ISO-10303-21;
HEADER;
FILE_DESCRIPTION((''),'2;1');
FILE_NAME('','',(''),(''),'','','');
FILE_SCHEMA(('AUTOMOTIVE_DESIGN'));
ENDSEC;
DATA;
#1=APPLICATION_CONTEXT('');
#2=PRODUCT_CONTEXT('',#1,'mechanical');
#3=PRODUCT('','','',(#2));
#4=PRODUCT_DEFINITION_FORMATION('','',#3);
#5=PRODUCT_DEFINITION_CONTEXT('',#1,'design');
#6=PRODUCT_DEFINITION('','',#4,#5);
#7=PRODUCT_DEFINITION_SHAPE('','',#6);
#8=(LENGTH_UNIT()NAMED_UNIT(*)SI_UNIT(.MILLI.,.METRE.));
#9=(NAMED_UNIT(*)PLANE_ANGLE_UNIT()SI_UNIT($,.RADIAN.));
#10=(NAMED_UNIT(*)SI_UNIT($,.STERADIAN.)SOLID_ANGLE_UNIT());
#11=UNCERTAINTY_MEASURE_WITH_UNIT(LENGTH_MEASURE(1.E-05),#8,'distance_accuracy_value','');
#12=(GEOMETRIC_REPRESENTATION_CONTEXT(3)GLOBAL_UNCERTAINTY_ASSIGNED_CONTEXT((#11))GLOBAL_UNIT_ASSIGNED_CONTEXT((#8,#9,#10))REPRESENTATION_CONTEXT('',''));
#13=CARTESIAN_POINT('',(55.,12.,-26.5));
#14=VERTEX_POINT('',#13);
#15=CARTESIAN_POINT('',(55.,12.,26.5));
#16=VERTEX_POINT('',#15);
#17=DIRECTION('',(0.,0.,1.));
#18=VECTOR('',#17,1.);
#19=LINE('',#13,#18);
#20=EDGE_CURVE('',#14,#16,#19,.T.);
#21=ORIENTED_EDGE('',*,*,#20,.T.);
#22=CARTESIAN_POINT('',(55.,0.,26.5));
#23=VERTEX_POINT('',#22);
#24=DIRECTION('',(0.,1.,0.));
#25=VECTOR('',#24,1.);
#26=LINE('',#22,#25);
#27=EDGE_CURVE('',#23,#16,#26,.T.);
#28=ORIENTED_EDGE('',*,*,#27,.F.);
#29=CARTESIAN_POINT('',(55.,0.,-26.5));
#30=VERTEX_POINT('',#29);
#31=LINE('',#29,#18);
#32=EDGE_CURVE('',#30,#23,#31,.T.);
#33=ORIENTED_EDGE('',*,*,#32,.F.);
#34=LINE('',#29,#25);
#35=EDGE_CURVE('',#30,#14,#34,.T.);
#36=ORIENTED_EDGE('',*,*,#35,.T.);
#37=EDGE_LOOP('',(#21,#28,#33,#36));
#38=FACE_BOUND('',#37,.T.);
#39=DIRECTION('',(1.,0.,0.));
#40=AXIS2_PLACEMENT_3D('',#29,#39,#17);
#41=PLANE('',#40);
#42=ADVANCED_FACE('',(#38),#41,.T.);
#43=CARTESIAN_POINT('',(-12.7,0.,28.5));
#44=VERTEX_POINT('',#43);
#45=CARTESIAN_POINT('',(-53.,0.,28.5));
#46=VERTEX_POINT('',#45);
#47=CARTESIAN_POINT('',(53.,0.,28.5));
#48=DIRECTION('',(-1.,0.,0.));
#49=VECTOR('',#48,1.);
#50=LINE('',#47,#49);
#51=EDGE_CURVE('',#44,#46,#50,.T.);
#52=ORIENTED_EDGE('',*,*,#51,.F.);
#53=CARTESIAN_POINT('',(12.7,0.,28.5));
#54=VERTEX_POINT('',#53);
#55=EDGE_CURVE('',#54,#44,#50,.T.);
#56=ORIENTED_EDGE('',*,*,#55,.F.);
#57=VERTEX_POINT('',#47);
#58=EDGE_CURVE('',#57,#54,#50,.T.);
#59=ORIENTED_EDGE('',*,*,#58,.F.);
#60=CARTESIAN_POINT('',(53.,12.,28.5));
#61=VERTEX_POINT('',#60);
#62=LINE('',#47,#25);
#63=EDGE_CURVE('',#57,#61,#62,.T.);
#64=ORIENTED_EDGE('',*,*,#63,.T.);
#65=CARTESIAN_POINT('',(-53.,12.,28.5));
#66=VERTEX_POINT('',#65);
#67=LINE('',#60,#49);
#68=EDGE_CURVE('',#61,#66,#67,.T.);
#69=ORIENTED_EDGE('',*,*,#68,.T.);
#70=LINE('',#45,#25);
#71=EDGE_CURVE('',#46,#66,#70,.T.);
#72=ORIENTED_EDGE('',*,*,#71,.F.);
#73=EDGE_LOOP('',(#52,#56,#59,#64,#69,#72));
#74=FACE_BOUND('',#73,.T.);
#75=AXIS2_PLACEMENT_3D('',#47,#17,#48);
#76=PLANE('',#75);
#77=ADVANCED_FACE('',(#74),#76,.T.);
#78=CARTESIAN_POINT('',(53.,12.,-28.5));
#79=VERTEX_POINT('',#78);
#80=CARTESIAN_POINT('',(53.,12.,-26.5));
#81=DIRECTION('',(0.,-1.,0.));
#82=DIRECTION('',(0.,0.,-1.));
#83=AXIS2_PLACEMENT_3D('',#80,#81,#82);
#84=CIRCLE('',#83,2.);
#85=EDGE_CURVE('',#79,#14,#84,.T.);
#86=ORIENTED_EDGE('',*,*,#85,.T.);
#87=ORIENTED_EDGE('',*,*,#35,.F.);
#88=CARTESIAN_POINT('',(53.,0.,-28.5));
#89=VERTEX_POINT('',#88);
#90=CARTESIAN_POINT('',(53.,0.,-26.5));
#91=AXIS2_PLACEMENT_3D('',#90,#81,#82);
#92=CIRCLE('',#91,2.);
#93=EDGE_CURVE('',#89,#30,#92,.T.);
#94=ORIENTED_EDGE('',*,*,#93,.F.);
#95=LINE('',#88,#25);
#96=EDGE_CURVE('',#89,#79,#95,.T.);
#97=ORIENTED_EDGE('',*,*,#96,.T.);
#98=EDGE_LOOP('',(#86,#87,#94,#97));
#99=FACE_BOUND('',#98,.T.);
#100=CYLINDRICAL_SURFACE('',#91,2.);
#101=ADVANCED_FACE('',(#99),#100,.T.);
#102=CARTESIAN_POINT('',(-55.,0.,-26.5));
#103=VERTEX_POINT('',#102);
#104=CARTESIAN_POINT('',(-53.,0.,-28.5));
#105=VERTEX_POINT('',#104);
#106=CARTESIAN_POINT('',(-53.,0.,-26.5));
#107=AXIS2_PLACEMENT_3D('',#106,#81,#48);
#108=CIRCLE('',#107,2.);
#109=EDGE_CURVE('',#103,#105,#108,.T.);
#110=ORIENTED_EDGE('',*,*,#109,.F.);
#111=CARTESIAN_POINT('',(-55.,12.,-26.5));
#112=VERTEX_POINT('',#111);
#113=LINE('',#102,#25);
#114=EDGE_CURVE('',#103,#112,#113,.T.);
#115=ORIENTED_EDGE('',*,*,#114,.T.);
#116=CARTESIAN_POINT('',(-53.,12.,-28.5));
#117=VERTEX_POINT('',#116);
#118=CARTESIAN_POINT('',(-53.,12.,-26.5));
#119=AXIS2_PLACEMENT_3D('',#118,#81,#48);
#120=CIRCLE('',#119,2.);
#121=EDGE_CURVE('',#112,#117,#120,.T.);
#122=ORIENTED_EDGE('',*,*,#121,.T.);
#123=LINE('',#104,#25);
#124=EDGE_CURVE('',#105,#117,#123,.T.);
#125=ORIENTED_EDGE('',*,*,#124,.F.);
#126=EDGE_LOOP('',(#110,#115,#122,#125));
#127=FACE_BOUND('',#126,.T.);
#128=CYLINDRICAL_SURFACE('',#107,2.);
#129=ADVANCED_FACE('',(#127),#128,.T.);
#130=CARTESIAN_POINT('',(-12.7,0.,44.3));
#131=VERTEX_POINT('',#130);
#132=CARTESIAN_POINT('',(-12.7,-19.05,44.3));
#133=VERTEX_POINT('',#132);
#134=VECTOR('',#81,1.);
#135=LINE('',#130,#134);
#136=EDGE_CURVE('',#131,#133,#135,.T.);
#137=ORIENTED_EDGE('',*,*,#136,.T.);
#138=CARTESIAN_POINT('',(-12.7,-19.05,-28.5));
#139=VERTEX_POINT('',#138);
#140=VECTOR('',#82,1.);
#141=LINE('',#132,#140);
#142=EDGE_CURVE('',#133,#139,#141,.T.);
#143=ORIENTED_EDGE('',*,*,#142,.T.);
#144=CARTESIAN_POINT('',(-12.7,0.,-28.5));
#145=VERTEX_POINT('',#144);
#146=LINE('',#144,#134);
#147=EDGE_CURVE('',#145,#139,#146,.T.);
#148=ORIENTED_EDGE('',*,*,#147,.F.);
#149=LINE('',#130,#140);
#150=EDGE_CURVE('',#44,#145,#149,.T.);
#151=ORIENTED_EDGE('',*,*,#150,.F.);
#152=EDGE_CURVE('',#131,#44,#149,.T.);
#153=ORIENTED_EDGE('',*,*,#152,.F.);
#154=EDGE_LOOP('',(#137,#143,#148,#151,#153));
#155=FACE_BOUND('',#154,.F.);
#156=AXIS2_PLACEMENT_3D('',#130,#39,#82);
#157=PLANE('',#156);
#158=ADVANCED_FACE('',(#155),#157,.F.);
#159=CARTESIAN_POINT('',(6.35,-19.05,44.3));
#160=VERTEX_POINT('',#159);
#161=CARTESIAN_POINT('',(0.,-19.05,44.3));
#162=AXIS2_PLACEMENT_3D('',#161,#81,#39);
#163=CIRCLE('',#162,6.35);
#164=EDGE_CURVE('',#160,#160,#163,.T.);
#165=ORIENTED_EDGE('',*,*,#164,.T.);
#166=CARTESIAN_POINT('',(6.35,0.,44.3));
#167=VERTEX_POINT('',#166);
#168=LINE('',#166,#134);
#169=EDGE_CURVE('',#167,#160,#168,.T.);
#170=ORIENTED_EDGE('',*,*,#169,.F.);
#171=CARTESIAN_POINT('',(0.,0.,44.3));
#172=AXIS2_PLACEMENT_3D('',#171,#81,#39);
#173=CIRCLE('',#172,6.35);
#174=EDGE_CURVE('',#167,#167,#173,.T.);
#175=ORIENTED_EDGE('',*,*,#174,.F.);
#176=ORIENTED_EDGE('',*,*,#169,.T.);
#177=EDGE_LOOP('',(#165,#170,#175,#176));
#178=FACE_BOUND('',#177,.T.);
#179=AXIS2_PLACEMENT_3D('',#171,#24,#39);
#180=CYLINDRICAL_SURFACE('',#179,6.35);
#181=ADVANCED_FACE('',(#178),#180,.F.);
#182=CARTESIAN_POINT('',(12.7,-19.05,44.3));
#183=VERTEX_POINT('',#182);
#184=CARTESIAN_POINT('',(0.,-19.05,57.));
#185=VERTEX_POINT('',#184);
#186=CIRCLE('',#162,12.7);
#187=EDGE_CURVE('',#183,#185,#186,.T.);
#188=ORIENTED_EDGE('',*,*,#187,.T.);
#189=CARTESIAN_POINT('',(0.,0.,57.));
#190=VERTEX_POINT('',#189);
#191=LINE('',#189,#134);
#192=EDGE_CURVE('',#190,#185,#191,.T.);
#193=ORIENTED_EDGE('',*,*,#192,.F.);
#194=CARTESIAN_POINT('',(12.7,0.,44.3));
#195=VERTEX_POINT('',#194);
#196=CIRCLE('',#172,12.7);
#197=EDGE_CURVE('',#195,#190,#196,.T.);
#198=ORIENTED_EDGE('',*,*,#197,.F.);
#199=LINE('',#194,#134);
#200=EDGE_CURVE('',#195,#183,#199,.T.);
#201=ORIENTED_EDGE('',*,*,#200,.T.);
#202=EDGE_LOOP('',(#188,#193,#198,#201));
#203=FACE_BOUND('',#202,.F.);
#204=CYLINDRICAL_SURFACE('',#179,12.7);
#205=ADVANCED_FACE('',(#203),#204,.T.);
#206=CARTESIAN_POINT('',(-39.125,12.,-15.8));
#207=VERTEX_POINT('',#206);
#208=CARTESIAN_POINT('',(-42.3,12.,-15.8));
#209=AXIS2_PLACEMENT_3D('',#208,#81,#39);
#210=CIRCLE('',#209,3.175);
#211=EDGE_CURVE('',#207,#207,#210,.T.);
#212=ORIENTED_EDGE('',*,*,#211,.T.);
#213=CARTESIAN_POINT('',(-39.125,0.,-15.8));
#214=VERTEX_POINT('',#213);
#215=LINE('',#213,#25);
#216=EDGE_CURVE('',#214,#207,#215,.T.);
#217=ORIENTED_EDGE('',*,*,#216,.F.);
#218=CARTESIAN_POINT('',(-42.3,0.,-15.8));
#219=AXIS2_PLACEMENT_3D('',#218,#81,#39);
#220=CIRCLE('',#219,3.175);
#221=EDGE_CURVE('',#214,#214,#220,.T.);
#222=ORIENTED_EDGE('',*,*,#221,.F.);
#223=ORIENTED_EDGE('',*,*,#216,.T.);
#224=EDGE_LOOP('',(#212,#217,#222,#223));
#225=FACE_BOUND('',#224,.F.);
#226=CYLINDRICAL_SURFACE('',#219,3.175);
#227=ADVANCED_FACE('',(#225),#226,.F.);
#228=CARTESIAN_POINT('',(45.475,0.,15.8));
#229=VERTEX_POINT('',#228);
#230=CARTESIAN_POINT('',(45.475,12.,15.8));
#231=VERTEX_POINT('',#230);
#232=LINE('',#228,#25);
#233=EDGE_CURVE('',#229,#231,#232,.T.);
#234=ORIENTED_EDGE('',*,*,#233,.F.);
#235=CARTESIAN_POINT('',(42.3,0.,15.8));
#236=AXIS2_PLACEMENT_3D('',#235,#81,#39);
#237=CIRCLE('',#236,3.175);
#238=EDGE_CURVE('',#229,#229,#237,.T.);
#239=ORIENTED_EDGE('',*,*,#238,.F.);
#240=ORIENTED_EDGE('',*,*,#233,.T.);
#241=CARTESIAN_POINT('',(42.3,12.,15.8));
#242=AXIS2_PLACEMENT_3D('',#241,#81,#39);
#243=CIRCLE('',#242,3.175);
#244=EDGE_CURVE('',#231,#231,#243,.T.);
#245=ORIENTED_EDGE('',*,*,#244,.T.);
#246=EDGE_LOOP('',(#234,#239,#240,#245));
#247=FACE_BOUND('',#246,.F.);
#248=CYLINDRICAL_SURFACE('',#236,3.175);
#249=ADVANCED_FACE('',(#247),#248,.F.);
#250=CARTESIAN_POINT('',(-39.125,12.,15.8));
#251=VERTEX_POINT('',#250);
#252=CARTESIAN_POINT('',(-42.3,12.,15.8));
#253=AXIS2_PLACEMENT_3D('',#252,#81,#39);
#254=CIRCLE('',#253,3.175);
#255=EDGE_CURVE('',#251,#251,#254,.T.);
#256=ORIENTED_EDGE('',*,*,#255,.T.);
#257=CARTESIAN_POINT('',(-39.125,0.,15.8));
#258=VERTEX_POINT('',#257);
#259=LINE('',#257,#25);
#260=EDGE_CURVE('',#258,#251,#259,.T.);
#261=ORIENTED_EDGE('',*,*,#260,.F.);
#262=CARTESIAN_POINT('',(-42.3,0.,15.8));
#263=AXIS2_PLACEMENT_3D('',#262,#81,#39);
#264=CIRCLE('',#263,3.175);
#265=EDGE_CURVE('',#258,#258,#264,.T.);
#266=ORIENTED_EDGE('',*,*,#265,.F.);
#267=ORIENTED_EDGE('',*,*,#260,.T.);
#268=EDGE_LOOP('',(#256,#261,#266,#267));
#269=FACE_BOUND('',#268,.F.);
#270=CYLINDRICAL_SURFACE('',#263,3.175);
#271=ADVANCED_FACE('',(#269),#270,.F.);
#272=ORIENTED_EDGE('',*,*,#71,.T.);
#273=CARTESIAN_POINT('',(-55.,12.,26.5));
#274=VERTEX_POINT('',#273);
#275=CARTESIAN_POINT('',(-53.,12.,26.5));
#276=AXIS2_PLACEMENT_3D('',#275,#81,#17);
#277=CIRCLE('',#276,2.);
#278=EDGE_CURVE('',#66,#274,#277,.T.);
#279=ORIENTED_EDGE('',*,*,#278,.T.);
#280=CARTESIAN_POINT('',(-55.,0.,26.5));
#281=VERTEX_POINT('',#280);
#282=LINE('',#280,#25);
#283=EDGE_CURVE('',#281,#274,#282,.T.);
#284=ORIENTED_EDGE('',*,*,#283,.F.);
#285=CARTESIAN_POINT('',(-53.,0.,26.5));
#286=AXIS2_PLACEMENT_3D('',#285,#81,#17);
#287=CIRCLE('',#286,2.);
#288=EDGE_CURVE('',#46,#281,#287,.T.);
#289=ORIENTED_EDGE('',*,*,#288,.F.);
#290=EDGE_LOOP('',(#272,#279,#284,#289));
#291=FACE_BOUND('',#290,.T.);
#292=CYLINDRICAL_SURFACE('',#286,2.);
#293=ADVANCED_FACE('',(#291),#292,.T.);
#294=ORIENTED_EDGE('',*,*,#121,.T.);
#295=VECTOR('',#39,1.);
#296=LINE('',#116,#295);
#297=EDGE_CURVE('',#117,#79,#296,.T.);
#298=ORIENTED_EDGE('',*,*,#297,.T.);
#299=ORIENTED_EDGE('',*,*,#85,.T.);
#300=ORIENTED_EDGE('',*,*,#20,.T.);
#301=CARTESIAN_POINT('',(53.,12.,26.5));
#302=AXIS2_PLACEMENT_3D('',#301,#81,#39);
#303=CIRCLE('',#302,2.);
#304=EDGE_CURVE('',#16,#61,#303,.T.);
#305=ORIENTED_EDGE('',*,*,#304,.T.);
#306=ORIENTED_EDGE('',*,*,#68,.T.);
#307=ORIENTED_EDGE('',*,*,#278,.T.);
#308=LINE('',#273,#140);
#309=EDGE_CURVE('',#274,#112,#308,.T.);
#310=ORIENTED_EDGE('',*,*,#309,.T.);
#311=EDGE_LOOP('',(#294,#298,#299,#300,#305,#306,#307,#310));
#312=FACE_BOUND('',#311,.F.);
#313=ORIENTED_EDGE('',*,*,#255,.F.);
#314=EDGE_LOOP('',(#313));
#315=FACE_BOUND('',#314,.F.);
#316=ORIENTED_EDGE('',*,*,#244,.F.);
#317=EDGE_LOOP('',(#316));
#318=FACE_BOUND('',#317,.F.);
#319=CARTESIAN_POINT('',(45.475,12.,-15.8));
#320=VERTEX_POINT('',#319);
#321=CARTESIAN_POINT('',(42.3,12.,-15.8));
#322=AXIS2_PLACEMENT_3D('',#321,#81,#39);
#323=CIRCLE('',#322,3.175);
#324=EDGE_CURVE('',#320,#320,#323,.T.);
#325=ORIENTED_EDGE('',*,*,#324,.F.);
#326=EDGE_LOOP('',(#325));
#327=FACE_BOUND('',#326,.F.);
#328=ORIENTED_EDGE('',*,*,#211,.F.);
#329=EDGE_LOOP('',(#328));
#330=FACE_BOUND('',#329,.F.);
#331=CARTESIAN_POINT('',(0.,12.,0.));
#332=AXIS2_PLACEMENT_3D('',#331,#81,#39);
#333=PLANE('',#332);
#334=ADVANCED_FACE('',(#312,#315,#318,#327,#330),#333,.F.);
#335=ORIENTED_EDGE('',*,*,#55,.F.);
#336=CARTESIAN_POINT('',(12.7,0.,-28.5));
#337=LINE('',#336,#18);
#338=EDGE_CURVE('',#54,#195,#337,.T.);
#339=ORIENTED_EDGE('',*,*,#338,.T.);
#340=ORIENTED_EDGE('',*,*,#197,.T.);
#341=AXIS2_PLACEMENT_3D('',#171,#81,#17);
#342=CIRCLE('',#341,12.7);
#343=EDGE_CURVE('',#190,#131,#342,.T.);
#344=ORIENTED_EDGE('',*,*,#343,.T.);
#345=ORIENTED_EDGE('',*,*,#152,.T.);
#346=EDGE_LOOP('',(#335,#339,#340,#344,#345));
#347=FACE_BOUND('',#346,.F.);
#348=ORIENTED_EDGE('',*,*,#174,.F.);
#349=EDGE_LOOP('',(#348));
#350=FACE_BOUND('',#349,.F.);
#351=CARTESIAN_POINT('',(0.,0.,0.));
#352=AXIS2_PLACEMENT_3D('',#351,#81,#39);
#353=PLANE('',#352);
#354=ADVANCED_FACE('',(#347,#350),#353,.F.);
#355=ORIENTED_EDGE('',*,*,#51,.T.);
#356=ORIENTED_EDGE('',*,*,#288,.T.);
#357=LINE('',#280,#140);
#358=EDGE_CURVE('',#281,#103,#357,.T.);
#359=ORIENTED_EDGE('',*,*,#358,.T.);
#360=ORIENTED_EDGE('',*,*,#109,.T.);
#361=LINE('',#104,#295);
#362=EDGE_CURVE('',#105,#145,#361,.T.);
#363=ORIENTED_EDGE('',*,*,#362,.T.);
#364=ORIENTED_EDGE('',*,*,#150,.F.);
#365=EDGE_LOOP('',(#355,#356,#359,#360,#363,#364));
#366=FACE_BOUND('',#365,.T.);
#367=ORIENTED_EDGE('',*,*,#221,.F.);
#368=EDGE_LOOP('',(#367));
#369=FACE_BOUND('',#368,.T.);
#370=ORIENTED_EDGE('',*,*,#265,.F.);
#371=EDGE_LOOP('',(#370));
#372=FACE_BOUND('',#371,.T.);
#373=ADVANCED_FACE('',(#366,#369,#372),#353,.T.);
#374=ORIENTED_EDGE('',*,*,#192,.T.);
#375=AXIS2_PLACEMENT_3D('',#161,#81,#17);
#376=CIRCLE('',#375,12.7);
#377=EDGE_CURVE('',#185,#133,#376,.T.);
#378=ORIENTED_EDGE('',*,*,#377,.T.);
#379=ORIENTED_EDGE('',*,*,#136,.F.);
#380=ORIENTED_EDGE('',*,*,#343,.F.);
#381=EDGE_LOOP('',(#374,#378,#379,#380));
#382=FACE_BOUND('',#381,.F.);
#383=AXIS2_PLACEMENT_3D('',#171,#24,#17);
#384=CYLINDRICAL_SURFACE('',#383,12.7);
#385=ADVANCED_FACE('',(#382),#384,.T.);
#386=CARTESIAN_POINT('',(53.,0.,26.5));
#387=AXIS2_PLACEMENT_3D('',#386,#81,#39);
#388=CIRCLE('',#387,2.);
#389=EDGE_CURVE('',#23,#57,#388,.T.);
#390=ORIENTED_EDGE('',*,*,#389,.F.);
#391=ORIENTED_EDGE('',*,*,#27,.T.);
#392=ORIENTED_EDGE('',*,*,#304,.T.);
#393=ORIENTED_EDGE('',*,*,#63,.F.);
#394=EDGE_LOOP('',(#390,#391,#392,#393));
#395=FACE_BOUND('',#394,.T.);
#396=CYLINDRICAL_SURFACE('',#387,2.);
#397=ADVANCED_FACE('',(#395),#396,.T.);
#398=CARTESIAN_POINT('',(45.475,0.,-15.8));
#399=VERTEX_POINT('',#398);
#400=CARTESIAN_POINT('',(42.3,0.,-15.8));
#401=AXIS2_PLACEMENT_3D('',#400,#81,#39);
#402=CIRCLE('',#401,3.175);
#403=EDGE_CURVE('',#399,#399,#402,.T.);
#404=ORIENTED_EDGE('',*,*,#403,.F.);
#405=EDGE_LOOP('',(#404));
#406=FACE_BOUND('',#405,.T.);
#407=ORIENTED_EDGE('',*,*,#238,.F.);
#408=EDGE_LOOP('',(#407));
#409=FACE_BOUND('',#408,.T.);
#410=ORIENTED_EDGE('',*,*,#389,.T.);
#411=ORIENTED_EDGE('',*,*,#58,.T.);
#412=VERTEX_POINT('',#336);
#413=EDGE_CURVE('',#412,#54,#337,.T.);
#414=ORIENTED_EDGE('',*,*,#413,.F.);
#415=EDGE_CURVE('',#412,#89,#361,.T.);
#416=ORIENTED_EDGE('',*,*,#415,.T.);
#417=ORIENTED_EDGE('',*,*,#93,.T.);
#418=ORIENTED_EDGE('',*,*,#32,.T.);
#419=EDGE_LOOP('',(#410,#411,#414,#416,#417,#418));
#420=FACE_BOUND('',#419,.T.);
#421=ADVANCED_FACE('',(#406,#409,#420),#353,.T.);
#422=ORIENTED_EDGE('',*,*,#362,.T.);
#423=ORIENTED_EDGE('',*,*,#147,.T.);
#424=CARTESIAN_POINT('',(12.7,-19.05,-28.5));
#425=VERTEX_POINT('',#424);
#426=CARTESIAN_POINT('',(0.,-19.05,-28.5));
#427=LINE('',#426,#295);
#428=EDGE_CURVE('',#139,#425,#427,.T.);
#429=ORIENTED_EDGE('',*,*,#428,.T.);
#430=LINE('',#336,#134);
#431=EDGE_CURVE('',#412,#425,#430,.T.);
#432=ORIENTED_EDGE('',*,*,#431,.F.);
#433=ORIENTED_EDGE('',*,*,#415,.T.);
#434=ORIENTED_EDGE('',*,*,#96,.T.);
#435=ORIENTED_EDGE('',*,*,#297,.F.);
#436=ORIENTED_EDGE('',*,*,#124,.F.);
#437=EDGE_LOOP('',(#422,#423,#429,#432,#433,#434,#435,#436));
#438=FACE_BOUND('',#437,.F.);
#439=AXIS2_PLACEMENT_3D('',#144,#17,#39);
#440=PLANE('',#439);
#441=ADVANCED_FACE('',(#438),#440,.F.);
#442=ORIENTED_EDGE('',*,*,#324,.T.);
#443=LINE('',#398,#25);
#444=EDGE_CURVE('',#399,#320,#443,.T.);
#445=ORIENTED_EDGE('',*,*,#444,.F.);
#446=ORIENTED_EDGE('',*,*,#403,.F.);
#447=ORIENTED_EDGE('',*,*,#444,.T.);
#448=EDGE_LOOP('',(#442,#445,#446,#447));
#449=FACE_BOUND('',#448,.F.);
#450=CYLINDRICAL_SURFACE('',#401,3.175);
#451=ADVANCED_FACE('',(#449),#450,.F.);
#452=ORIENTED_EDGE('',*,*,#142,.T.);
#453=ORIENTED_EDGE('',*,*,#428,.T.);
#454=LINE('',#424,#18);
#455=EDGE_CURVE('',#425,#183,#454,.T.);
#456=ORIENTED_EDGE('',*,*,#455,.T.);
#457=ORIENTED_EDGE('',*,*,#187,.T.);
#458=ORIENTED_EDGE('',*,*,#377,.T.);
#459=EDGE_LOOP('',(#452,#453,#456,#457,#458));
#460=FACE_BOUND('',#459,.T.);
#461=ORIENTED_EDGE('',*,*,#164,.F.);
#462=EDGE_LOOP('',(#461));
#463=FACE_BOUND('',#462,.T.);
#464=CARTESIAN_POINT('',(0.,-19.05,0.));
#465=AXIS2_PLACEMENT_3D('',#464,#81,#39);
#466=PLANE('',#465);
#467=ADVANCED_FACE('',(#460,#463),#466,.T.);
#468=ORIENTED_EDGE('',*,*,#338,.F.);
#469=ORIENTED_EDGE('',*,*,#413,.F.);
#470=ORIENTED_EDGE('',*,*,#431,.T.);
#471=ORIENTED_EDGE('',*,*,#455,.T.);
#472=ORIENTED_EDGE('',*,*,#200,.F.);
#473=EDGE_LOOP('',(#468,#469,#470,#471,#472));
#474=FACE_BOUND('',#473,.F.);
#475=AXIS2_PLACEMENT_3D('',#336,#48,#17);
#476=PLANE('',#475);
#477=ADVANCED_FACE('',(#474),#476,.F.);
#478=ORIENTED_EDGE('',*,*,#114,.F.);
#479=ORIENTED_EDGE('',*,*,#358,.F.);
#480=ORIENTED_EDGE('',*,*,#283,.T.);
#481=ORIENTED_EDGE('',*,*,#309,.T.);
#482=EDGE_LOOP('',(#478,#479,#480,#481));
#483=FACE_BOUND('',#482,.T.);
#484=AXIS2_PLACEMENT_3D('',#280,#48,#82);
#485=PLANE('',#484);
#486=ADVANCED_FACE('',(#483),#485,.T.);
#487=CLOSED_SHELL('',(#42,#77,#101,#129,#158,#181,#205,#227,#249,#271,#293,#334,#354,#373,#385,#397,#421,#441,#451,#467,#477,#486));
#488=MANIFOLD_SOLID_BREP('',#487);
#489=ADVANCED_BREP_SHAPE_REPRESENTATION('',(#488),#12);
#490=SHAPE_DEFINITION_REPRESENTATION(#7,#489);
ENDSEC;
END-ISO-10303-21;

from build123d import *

# Parameters (mm, degrees)
F0_W     = 25.4
F0_H     = 57
F0_R     = 3.175
F1_DEPTH = 12
F0_R_2   = 6.35
F2_DEPTH = 19.05


with BuildPart() as f1:
    # F0 (on Front) → F1 (new body)
    with BuildSketch(Plane.XZ):
        Rectangle(F0_W, F0_H)
        with BuildLine():
            Line((-12.7, 28.5), (-53, 28.5))
            ThreePointArc((-53, 28.5), (-54.4142135624, 27.9142135624), (-55, 26.5))
            Line((-55, 26.5), (-55, -26.5))
            ThreePointArc((-55, -26.5), (-54.4142135624, -27.9142135624), (-53, -28.5))
            Line((-53, -28.5), (-12.7, -28.5))
            Line((-12.7, -28.5), (-12.7, 28.5))
        make_face()
        with Locations((-42.3, -15.8)):
            Circle(F0_R, mode=Mode.SUBTRACT)
        with Locations((-42.3, 15.8)):
            Circle(F0_R, mode=Mode.SUBTRACT)
        with BuildLine():
            Line((53, 28.5), (12.7, 28.5))
            Line((12.7, 28.5), (12.7, -28.5))
            Line((12.7, -28.5), (53, -28.5))
            ThreePointArc((53, -28.5), (54.4142135624, -27.9142135624), (55, -26.5))
            Line((55, -26.5), (55, 26.5))
            ThreePointArc((55, 26.5), (54.4142135624, 27.9142135624), (53, 28.5))
        make_face()
        with Locations((42.3, -15.8)):
            Circle(F0_R, mode=Mode.SUBTRACT)
        with Locations((42.3, 15.8)):
            Circle(F0_R, mode=Mode.SUBTRACT)
    extrude(amount=-F1_DEPTH)

    # F0 (on Front) → F2 (join)
    with BuildSketch(Plane.XZ):
        Rectangle(F0_W, F0_H)
        with BuildLine():
            Line((-12.7, 44.3), (-12.7, 28.5))
            Line((-12.7, 28.5), (12.7, 28.5))
            Line((12.7, 28.5), (12.7, 44.3))
            ThreePointArc((12.7, 44.3), (0, 31.6), (-12.7, 44.3))
        make_face()
        with BuildLine():
            ThreePointArc((0, 57), (-8.9802561211, 53.2802561211), (-12.7, 44.3))
            ThreePointArc((-12.7, 44.3), (0, 31.6), (12.7, 44.3))
            ThreePointArc((12.7, 44.3), (8.9802561211, 53.2802561211), (0, 57))
        make_face()
        with Locations((0, 44.3)):
            Circle(F0_R_2, mode=Mode.SUBTRACT)
    extrude(amount=F2_DEPTH)


solid = f1.part
